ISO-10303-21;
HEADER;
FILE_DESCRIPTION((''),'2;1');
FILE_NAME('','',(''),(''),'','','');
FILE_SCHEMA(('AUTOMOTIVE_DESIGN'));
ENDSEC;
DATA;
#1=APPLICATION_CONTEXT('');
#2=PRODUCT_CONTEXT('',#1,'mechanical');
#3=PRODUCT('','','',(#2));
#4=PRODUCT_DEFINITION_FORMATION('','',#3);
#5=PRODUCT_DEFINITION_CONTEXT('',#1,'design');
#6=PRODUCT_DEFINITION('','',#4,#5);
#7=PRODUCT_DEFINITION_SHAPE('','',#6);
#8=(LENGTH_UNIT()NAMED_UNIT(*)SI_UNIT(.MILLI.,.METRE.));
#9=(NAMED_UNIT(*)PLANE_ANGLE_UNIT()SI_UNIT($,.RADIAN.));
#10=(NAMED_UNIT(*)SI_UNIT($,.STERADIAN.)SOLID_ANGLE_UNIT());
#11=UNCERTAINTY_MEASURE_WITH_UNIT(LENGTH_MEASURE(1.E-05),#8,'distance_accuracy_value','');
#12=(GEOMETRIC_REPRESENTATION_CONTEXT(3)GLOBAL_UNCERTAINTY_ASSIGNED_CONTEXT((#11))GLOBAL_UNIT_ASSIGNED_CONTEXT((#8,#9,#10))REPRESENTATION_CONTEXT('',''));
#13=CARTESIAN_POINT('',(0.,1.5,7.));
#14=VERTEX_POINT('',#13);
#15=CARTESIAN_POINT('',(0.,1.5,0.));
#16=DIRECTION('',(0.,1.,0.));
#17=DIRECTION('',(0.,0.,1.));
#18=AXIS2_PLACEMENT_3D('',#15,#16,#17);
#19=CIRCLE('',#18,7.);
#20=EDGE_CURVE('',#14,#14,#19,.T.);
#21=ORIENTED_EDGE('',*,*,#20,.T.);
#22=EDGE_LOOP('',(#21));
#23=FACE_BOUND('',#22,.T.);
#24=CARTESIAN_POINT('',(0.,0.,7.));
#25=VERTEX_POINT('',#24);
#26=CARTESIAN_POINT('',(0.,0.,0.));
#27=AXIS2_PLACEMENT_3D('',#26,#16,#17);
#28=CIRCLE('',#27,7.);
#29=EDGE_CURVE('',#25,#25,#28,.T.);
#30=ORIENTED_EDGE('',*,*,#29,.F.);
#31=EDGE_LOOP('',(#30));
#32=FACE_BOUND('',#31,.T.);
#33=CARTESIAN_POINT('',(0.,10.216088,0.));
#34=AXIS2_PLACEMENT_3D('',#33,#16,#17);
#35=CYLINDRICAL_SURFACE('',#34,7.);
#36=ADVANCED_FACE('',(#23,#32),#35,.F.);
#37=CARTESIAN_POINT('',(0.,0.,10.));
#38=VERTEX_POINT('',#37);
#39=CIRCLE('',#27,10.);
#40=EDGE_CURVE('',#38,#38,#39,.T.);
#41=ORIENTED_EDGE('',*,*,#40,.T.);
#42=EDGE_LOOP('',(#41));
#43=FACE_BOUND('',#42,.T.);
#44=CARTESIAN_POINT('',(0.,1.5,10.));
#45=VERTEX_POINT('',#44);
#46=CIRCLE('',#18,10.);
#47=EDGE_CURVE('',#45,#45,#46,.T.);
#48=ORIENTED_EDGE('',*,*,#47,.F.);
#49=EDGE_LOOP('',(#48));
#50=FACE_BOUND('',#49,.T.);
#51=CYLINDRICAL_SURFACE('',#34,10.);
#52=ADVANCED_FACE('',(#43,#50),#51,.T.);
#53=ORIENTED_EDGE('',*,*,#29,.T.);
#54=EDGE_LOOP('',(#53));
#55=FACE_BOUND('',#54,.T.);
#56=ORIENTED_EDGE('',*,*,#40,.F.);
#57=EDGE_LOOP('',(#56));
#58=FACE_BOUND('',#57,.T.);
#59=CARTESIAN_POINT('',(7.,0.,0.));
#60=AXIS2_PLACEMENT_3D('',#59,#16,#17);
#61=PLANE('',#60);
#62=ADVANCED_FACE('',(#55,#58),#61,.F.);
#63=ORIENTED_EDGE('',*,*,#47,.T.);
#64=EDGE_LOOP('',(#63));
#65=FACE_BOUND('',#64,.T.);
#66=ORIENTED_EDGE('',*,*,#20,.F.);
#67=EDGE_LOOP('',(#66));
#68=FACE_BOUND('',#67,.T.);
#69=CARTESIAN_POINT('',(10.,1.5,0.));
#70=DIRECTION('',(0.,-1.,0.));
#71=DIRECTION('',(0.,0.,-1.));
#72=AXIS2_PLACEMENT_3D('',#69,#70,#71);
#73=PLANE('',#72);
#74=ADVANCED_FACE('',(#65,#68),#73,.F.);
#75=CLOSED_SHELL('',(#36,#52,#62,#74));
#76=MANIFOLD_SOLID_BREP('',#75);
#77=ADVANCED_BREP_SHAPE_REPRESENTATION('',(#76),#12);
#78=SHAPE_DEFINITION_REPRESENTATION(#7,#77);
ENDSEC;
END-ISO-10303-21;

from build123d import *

# Parameters (mm, degrees)
SKETCH1_W = 3
SKETCH1_H = 1.5


with BuildPart() as part:
    # Sketch1 → Base-Revolve (revolve)
    with BuildSketch(Plane.XY, mode=Mode.PRIVATE) as base_revolve_sk:
        with Locations((8.5, 0.75)):
            Rectangle(SKETCH1_W, SKETCH1_H)
    revolve(base_revolve_sk.sketch.rotate(Axis((0, 10.216088328, 0), (0, -1, 0)), 90), axis=Axis((0, 10.216088328, 0), (0, -1, 0)))


solid = part.part
